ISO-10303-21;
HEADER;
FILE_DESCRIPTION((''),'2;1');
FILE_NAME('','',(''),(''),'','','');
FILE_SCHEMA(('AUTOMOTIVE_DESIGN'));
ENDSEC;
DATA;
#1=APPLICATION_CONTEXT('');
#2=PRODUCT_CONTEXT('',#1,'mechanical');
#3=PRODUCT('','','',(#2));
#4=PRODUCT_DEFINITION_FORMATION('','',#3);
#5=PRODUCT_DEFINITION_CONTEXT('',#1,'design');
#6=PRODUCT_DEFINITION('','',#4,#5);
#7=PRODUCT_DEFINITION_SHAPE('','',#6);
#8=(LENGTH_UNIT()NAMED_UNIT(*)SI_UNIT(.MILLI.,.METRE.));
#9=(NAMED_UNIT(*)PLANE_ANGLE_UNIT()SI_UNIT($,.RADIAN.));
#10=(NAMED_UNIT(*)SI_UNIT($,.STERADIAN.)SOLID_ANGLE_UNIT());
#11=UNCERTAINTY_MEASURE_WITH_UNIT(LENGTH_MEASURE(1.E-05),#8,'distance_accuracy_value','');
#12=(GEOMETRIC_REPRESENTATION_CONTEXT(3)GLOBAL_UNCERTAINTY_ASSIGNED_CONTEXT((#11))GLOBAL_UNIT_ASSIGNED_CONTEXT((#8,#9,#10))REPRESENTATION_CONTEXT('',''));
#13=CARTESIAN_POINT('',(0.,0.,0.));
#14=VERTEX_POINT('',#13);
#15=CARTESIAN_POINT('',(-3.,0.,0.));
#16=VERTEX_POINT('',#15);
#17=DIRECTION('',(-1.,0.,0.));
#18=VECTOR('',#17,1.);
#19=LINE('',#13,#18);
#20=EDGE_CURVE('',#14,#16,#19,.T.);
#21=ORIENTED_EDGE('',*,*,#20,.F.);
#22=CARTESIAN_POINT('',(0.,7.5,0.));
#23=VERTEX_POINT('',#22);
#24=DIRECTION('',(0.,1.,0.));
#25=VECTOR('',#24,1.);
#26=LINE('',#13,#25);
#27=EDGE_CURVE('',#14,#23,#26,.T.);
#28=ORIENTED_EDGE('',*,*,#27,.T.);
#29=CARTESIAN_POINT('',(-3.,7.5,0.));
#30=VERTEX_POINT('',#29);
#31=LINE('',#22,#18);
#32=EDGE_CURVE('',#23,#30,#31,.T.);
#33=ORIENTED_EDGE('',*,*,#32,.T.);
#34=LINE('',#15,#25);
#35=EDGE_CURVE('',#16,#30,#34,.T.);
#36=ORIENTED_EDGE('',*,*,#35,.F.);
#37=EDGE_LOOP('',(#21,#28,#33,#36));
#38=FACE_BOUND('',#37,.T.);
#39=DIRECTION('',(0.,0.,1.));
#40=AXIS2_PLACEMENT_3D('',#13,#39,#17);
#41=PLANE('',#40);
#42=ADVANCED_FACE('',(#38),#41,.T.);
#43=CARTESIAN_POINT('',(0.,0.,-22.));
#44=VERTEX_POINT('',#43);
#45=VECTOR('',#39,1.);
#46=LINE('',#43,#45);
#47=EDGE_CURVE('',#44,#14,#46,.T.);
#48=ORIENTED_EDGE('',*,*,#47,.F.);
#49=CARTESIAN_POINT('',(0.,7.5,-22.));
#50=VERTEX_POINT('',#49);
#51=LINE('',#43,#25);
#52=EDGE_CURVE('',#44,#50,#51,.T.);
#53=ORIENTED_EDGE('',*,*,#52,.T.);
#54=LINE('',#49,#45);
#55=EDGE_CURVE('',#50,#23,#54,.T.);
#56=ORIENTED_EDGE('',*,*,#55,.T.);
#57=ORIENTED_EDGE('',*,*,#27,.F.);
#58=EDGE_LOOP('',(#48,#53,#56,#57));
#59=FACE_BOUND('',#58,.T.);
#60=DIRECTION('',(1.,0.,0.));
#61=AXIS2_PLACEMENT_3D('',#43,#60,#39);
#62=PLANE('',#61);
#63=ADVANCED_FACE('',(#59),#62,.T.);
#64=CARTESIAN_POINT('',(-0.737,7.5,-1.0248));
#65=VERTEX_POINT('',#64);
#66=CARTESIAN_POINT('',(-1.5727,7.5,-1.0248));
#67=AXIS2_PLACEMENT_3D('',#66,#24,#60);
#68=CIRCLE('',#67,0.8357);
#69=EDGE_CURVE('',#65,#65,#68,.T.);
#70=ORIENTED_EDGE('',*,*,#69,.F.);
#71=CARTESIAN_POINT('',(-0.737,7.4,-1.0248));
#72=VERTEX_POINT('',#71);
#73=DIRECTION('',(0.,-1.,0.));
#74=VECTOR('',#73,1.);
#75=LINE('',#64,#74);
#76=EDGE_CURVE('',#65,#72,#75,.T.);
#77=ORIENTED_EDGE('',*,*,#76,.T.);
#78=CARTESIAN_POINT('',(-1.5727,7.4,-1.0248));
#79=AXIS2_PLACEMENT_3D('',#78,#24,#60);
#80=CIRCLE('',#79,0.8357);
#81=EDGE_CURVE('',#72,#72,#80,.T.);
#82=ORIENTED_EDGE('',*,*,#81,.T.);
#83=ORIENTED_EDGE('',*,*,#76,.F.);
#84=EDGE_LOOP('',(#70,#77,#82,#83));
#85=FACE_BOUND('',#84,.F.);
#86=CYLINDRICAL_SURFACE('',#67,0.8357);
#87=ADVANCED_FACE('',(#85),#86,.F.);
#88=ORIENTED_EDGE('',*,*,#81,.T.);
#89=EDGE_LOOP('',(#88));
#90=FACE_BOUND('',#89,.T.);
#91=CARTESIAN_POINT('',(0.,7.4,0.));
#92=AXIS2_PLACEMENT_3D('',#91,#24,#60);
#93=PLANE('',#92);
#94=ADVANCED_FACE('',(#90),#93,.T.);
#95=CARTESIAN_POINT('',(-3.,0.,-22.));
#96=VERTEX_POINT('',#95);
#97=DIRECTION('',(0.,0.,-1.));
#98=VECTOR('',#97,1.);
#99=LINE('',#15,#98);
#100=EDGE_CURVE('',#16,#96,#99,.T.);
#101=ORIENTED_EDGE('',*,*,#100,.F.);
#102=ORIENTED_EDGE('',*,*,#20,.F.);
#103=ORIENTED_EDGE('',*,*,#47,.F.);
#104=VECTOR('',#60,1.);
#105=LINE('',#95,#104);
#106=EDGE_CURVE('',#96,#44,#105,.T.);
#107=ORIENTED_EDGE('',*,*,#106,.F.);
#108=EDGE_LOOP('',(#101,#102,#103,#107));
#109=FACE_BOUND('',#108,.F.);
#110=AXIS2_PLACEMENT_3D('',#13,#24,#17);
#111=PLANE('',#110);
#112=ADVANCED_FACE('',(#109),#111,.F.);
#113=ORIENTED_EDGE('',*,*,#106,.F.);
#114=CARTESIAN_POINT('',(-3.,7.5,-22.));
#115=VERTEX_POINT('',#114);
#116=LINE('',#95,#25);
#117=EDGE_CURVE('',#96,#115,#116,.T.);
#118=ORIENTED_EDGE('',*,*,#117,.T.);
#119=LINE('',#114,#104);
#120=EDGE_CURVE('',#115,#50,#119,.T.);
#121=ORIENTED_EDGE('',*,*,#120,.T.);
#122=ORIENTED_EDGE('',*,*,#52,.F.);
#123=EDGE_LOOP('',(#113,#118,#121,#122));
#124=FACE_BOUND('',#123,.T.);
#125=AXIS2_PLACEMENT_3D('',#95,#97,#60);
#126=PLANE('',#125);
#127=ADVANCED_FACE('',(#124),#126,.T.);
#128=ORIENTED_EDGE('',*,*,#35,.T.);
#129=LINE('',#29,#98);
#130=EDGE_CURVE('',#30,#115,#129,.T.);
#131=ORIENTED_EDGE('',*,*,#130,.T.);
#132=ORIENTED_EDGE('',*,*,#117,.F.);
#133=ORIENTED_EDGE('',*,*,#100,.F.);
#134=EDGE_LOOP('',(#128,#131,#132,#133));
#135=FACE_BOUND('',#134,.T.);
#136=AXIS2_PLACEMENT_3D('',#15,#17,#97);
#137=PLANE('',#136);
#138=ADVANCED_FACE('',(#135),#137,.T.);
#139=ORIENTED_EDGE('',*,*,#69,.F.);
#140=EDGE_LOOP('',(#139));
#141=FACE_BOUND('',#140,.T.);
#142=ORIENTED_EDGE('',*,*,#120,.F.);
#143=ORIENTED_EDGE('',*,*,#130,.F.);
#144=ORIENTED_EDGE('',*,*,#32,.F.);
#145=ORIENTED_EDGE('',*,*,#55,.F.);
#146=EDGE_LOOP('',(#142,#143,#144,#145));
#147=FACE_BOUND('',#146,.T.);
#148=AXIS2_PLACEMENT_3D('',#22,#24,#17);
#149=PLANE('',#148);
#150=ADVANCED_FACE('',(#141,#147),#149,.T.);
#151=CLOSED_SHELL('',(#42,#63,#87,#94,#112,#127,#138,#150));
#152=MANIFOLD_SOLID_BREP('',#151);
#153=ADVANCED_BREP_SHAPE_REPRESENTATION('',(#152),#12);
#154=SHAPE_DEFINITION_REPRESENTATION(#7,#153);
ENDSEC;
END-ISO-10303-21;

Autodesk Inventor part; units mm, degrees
ref_plane "YZ Plane" through (0, 0, 0) normal (1, 0, 0) x (0, 1, 0)
ref_plane "XZ Plane" through (0, 0, 0) normal (0, 1, 0) x (-1, 0, 0)
ref_plane "XY Plane" through (0, 0, 0) normal (0, 0, 1) x (1, 0, 0)
sketch "Sketch1" plane through (0, 0, 0) normal (0, 1, 0) x (-1, 0, 0)
  line L0 (0, 0) -> (3, 0)
  line L1 (3, 0) -> (3, -22)
  line L2 (3, -22) -> (0, -22)
  line L3 (0, -22) -> (0, 0)
  dimension "d0" = 3
  dimension "d1" = 22
extrude "Extrusion1" add sketch "Sketch1" along normal blind 7.5
sketch "Sketch2" plane through (0, 7.5, 0) normal (0, 1, 0) x (1, 0, 0)
  circle A0 centre (-1.5727, 1.0248) radius 0.8357
  point P0 (0, 0)
extrude "Extrusion2" cut sketch "Sketch2" against normal blind 0.1
properties part number "backbackmotorwall"
